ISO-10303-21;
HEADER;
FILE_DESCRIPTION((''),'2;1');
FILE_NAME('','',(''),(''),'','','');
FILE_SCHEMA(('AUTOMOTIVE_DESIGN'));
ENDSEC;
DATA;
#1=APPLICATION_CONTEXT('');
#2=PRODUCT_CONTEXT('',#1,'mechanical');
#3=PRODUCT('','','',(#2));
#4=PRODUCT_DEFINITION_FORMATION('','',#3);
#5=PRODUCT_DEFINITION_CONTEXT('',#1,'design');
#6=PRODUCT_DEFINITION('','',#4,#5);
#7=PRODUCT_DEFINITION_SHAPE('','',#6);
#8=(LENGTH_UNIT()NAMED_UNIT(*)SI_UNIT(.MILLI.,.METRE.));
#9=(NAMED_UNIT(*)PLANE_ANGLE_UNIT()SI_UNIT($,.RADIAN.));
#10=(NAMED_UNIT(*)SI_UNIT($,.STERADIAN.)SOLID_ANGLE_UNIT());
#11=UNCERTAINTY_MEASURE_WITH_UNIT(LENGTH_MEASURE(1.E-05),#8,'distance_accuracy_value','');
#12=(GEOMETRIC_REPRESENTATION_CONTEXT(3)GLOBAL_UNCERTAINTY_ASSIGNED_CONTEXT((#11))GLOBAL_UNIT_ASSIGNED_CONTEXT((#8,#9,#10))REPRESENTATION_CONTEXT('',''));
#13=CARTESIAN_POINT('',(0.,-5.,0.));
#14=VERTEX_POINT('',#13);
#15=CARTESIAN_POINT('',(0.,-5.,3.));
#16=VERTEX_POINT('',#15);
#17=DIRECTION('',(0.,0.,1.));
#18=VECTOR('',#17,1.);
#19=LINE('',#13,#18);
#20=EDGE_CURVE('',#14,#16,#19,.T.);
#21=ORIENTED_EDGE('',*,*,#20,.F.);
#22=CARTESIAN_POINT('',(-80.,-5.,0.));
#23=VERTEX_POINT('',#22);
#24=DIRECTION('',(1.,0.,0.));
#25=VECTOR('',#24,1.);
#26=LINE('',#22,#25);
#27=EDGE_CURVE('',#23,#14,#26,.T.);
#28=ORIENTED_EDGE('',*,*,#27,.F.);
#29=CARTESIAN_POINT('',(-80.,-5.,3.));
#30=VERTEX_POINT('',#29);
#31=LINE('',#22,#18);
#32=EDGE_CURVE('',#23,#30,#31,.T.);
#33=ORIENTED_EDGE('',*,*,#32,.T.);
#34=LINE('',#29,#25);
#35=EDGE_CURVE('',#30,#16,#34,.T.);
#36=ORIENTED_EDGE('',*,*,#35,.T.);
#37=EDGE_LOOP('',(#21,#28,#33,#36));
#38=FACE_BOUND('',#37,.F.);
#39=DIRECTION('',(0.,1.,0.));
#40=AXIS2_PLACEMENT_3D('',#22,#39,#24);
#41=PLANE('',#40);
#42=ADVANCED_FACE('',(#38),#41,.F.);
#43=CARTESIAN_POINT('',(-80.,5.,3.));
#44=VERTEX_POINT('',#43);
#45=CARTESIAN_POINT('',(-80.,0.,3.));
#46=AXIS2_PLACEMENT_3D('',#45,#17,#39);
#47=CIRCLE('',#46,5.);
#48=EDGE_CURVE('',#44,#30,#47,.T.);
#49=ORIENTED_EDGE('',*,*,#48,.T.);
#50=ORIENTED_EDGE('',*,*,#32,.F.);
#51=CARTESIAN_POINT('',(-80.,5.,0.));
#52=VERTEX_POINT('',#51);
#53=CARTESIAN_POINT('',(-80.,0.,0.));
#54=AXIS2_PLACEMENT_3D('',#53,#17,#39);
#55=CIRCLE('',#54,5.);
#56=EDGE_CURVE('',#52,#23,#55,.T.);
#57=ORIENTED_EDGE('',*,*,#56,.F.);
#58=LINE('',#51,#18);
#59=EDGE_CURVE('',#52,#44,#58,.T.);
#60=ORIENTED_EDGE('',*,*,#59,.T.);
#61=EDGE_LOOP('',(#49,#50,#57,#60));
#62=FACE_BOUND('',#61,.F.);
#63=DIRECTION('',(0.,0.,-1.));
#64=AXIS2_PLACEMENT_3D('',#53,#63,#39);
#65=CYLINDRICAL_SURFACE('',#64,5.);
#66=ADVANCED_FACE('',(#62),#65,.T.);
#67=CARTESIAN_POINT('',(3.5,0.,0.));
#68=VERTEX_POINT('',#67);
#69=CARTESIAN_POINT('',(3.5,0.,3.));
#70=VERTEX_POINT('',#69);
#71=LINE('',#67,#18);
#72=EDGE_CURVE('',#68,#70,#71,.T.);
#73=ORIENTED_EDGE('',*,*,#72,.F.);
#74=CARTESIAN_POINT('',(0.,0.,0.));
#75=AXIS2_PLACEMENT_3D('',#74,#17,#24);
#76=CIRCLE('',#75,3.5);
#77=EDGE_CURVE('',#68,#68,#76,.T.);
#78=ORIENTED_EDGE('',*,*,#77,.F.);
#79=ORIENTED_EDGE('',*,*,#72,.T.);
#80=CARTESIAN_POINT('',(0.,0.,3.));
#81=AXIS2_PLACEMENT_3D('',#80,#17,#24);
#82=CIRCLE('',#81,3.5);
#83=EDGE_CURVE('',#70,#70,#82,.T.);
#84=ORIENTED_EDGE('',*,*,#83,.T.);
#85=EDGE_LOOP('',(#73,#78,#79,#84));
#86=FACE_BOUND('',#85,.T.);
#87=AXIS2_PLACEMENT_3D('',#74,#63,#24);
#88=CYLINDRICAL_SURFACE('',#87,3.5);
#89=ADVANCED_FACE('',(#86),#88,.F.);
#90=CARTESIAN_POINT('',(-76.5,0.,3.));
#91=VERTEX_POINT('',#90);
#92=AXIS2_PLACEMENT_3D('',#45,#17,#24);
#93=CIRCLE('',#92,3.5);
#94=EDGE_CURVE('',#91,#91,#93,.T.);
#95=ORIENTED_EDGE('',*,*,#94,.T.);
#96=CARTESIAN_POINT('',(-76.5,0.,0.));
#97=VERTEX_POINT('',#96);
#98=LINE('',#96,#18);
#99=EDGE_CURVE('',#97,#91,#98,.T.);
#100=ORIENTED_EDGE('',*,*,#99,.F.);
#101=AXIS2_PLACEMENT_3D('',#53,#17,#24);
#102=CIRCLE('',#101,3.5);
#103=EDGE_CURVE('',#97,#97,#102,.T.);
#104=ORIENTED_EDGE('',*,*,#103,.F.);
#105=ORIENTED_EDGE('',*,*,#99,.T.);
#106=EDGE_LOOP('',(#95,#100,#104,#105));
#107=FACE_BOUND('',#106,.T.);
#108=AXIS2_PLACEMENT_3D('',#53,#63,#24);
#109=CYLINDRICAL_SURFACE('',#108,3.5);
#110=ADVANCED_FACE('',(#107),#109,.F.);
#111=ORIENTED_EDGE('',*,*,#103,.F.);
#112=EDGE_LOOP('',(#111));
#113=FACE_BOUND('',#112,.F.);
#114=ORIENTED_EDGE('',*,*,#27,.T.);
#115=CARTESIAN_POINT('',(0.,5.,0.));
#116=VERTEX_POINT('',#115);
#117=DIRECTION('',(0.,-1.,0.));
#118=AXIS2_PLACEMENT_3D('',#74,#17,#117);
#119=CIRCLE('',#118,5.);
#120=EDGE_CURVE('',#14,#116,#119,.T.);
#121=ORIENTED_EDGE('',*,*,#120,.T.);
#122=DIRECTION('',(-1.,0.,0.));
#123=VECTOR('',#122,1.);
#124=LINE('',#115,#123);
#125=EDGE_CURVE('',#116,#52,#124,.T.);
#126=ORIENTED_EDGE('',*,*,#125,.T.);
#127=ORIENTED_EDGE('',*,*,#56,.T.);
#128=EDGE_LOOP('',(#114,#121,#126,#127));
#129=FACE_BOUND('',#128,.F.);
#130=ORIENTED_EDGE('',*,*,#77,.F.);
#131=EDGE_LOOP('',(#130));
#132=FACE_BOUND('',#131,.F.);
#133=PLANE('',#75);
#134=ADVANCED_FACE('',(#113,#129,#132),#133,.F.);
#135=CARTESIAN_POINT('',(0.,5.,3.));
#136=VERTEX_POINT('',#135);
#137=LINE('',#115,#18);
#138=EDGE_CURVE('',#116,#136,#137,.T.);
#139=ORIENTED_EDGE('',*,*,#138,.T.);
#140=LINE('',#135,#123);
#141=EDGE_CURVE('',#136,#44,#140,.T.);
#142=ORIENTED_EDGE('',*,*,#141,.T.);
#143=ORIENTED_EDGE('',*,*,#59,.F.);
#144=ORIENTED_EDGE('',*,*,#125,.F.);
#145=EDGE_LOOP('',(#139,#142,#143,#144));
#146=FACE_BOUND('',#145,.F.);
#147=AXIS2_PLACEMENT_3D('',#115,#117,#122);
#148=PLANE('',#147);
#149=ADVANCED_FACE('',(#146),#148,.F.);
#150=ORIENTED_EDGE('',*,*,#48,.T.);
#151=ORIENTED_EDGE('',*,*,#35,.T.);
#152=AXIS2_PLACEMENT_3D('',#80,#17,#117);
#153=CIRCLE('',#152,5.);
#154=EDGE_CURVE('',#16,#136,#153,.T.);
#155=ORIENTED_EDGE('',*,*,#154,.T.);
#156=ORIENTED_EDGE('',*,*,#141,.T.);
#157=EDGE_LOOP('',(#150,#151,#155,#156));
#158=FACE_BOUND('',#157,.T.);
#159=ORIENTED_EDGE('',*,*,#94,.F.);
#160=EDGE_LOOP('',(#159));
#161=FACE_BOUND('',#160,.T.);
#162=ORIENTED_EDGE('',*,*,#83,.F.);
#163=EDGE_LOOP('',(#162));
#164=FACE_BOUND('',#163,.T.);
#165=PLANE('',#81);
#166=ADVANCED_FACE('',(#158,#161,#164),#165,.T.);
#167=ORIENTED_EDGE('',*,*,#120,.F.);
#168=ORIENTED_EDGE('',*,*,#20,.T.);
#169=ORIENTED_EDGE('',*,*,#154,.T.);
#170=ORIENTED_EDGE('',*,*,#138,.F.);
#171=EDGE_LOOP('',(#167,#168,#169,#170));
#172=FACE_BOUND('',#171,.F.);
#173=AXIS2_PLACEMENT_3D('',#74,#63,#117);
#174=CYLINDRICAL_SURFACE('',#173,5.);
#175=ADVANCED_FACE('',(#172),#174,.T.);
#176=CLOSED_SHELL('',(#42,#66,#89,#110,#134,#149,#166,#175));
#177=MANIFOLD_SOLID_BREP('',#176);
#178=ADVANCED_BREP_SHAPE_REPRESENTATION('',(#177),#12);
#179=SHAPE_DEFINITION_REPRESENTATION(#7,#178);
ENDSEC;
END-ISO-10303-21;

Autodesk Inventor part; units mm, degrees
ref_plane "YZ Plane" through (0, 0, 0) normal (1, 0, 0) x (0, 1, 0)
ref_plane "XZ Plane" through (0, 0, 0) normal (0, 1, 0) x (-1, 0, 0)
ref_plane "XY Plane" through (0, 0, 0) normal (0, 0, 1) x (1, 0, 0)
sketch "草圖1" plane through (0, 0, 0) normal (0, 0, 1) x (1, 0, 0)
  line L0 (-80, 0) -> (0, 0) construction
  line L1 (-80, -5) -> (0, -5)
  line L2 (0, 5) -> (-80, 5)
  arc A0 (-80, 5) -> (-80, -5) centre (-80, 0) ccw
  arc A1 (0, -5) -> (0, 5) centre (0, 0) ccw
  circle A2 centre (-80, 0) radius 3.5
  circle A3 centre (0, 0) radius 3.5
  point P0 (-40, 0)
  dimension "d0" = 80
  dimension "d1" = 10
  dimension "d2" = 7
  dimension "d3" = 7
extrude "擠出1" add sketch "草圖1" along normal blind 3
sketch "草圖5" plane through (0, 0, 3) normal (0, 0, 1) x (1, 0, 0)
  arc A0 (0, -5) -> (0, 5) centre (0, 0) ccw projected
  line L0 (0, 5) -> (-80, 5) projected
  arc A1 (-80, 5) -> (-80, -5) centre (-80, 0) ccw projected
  line L1 (-80, -5) -> (0, -5) projected
  circle A2 centre (0, 0) radius 3.5 projected
  circle A3 centre (-80, 0) radius 3.5 projected
properties part number "adjustable_80"
